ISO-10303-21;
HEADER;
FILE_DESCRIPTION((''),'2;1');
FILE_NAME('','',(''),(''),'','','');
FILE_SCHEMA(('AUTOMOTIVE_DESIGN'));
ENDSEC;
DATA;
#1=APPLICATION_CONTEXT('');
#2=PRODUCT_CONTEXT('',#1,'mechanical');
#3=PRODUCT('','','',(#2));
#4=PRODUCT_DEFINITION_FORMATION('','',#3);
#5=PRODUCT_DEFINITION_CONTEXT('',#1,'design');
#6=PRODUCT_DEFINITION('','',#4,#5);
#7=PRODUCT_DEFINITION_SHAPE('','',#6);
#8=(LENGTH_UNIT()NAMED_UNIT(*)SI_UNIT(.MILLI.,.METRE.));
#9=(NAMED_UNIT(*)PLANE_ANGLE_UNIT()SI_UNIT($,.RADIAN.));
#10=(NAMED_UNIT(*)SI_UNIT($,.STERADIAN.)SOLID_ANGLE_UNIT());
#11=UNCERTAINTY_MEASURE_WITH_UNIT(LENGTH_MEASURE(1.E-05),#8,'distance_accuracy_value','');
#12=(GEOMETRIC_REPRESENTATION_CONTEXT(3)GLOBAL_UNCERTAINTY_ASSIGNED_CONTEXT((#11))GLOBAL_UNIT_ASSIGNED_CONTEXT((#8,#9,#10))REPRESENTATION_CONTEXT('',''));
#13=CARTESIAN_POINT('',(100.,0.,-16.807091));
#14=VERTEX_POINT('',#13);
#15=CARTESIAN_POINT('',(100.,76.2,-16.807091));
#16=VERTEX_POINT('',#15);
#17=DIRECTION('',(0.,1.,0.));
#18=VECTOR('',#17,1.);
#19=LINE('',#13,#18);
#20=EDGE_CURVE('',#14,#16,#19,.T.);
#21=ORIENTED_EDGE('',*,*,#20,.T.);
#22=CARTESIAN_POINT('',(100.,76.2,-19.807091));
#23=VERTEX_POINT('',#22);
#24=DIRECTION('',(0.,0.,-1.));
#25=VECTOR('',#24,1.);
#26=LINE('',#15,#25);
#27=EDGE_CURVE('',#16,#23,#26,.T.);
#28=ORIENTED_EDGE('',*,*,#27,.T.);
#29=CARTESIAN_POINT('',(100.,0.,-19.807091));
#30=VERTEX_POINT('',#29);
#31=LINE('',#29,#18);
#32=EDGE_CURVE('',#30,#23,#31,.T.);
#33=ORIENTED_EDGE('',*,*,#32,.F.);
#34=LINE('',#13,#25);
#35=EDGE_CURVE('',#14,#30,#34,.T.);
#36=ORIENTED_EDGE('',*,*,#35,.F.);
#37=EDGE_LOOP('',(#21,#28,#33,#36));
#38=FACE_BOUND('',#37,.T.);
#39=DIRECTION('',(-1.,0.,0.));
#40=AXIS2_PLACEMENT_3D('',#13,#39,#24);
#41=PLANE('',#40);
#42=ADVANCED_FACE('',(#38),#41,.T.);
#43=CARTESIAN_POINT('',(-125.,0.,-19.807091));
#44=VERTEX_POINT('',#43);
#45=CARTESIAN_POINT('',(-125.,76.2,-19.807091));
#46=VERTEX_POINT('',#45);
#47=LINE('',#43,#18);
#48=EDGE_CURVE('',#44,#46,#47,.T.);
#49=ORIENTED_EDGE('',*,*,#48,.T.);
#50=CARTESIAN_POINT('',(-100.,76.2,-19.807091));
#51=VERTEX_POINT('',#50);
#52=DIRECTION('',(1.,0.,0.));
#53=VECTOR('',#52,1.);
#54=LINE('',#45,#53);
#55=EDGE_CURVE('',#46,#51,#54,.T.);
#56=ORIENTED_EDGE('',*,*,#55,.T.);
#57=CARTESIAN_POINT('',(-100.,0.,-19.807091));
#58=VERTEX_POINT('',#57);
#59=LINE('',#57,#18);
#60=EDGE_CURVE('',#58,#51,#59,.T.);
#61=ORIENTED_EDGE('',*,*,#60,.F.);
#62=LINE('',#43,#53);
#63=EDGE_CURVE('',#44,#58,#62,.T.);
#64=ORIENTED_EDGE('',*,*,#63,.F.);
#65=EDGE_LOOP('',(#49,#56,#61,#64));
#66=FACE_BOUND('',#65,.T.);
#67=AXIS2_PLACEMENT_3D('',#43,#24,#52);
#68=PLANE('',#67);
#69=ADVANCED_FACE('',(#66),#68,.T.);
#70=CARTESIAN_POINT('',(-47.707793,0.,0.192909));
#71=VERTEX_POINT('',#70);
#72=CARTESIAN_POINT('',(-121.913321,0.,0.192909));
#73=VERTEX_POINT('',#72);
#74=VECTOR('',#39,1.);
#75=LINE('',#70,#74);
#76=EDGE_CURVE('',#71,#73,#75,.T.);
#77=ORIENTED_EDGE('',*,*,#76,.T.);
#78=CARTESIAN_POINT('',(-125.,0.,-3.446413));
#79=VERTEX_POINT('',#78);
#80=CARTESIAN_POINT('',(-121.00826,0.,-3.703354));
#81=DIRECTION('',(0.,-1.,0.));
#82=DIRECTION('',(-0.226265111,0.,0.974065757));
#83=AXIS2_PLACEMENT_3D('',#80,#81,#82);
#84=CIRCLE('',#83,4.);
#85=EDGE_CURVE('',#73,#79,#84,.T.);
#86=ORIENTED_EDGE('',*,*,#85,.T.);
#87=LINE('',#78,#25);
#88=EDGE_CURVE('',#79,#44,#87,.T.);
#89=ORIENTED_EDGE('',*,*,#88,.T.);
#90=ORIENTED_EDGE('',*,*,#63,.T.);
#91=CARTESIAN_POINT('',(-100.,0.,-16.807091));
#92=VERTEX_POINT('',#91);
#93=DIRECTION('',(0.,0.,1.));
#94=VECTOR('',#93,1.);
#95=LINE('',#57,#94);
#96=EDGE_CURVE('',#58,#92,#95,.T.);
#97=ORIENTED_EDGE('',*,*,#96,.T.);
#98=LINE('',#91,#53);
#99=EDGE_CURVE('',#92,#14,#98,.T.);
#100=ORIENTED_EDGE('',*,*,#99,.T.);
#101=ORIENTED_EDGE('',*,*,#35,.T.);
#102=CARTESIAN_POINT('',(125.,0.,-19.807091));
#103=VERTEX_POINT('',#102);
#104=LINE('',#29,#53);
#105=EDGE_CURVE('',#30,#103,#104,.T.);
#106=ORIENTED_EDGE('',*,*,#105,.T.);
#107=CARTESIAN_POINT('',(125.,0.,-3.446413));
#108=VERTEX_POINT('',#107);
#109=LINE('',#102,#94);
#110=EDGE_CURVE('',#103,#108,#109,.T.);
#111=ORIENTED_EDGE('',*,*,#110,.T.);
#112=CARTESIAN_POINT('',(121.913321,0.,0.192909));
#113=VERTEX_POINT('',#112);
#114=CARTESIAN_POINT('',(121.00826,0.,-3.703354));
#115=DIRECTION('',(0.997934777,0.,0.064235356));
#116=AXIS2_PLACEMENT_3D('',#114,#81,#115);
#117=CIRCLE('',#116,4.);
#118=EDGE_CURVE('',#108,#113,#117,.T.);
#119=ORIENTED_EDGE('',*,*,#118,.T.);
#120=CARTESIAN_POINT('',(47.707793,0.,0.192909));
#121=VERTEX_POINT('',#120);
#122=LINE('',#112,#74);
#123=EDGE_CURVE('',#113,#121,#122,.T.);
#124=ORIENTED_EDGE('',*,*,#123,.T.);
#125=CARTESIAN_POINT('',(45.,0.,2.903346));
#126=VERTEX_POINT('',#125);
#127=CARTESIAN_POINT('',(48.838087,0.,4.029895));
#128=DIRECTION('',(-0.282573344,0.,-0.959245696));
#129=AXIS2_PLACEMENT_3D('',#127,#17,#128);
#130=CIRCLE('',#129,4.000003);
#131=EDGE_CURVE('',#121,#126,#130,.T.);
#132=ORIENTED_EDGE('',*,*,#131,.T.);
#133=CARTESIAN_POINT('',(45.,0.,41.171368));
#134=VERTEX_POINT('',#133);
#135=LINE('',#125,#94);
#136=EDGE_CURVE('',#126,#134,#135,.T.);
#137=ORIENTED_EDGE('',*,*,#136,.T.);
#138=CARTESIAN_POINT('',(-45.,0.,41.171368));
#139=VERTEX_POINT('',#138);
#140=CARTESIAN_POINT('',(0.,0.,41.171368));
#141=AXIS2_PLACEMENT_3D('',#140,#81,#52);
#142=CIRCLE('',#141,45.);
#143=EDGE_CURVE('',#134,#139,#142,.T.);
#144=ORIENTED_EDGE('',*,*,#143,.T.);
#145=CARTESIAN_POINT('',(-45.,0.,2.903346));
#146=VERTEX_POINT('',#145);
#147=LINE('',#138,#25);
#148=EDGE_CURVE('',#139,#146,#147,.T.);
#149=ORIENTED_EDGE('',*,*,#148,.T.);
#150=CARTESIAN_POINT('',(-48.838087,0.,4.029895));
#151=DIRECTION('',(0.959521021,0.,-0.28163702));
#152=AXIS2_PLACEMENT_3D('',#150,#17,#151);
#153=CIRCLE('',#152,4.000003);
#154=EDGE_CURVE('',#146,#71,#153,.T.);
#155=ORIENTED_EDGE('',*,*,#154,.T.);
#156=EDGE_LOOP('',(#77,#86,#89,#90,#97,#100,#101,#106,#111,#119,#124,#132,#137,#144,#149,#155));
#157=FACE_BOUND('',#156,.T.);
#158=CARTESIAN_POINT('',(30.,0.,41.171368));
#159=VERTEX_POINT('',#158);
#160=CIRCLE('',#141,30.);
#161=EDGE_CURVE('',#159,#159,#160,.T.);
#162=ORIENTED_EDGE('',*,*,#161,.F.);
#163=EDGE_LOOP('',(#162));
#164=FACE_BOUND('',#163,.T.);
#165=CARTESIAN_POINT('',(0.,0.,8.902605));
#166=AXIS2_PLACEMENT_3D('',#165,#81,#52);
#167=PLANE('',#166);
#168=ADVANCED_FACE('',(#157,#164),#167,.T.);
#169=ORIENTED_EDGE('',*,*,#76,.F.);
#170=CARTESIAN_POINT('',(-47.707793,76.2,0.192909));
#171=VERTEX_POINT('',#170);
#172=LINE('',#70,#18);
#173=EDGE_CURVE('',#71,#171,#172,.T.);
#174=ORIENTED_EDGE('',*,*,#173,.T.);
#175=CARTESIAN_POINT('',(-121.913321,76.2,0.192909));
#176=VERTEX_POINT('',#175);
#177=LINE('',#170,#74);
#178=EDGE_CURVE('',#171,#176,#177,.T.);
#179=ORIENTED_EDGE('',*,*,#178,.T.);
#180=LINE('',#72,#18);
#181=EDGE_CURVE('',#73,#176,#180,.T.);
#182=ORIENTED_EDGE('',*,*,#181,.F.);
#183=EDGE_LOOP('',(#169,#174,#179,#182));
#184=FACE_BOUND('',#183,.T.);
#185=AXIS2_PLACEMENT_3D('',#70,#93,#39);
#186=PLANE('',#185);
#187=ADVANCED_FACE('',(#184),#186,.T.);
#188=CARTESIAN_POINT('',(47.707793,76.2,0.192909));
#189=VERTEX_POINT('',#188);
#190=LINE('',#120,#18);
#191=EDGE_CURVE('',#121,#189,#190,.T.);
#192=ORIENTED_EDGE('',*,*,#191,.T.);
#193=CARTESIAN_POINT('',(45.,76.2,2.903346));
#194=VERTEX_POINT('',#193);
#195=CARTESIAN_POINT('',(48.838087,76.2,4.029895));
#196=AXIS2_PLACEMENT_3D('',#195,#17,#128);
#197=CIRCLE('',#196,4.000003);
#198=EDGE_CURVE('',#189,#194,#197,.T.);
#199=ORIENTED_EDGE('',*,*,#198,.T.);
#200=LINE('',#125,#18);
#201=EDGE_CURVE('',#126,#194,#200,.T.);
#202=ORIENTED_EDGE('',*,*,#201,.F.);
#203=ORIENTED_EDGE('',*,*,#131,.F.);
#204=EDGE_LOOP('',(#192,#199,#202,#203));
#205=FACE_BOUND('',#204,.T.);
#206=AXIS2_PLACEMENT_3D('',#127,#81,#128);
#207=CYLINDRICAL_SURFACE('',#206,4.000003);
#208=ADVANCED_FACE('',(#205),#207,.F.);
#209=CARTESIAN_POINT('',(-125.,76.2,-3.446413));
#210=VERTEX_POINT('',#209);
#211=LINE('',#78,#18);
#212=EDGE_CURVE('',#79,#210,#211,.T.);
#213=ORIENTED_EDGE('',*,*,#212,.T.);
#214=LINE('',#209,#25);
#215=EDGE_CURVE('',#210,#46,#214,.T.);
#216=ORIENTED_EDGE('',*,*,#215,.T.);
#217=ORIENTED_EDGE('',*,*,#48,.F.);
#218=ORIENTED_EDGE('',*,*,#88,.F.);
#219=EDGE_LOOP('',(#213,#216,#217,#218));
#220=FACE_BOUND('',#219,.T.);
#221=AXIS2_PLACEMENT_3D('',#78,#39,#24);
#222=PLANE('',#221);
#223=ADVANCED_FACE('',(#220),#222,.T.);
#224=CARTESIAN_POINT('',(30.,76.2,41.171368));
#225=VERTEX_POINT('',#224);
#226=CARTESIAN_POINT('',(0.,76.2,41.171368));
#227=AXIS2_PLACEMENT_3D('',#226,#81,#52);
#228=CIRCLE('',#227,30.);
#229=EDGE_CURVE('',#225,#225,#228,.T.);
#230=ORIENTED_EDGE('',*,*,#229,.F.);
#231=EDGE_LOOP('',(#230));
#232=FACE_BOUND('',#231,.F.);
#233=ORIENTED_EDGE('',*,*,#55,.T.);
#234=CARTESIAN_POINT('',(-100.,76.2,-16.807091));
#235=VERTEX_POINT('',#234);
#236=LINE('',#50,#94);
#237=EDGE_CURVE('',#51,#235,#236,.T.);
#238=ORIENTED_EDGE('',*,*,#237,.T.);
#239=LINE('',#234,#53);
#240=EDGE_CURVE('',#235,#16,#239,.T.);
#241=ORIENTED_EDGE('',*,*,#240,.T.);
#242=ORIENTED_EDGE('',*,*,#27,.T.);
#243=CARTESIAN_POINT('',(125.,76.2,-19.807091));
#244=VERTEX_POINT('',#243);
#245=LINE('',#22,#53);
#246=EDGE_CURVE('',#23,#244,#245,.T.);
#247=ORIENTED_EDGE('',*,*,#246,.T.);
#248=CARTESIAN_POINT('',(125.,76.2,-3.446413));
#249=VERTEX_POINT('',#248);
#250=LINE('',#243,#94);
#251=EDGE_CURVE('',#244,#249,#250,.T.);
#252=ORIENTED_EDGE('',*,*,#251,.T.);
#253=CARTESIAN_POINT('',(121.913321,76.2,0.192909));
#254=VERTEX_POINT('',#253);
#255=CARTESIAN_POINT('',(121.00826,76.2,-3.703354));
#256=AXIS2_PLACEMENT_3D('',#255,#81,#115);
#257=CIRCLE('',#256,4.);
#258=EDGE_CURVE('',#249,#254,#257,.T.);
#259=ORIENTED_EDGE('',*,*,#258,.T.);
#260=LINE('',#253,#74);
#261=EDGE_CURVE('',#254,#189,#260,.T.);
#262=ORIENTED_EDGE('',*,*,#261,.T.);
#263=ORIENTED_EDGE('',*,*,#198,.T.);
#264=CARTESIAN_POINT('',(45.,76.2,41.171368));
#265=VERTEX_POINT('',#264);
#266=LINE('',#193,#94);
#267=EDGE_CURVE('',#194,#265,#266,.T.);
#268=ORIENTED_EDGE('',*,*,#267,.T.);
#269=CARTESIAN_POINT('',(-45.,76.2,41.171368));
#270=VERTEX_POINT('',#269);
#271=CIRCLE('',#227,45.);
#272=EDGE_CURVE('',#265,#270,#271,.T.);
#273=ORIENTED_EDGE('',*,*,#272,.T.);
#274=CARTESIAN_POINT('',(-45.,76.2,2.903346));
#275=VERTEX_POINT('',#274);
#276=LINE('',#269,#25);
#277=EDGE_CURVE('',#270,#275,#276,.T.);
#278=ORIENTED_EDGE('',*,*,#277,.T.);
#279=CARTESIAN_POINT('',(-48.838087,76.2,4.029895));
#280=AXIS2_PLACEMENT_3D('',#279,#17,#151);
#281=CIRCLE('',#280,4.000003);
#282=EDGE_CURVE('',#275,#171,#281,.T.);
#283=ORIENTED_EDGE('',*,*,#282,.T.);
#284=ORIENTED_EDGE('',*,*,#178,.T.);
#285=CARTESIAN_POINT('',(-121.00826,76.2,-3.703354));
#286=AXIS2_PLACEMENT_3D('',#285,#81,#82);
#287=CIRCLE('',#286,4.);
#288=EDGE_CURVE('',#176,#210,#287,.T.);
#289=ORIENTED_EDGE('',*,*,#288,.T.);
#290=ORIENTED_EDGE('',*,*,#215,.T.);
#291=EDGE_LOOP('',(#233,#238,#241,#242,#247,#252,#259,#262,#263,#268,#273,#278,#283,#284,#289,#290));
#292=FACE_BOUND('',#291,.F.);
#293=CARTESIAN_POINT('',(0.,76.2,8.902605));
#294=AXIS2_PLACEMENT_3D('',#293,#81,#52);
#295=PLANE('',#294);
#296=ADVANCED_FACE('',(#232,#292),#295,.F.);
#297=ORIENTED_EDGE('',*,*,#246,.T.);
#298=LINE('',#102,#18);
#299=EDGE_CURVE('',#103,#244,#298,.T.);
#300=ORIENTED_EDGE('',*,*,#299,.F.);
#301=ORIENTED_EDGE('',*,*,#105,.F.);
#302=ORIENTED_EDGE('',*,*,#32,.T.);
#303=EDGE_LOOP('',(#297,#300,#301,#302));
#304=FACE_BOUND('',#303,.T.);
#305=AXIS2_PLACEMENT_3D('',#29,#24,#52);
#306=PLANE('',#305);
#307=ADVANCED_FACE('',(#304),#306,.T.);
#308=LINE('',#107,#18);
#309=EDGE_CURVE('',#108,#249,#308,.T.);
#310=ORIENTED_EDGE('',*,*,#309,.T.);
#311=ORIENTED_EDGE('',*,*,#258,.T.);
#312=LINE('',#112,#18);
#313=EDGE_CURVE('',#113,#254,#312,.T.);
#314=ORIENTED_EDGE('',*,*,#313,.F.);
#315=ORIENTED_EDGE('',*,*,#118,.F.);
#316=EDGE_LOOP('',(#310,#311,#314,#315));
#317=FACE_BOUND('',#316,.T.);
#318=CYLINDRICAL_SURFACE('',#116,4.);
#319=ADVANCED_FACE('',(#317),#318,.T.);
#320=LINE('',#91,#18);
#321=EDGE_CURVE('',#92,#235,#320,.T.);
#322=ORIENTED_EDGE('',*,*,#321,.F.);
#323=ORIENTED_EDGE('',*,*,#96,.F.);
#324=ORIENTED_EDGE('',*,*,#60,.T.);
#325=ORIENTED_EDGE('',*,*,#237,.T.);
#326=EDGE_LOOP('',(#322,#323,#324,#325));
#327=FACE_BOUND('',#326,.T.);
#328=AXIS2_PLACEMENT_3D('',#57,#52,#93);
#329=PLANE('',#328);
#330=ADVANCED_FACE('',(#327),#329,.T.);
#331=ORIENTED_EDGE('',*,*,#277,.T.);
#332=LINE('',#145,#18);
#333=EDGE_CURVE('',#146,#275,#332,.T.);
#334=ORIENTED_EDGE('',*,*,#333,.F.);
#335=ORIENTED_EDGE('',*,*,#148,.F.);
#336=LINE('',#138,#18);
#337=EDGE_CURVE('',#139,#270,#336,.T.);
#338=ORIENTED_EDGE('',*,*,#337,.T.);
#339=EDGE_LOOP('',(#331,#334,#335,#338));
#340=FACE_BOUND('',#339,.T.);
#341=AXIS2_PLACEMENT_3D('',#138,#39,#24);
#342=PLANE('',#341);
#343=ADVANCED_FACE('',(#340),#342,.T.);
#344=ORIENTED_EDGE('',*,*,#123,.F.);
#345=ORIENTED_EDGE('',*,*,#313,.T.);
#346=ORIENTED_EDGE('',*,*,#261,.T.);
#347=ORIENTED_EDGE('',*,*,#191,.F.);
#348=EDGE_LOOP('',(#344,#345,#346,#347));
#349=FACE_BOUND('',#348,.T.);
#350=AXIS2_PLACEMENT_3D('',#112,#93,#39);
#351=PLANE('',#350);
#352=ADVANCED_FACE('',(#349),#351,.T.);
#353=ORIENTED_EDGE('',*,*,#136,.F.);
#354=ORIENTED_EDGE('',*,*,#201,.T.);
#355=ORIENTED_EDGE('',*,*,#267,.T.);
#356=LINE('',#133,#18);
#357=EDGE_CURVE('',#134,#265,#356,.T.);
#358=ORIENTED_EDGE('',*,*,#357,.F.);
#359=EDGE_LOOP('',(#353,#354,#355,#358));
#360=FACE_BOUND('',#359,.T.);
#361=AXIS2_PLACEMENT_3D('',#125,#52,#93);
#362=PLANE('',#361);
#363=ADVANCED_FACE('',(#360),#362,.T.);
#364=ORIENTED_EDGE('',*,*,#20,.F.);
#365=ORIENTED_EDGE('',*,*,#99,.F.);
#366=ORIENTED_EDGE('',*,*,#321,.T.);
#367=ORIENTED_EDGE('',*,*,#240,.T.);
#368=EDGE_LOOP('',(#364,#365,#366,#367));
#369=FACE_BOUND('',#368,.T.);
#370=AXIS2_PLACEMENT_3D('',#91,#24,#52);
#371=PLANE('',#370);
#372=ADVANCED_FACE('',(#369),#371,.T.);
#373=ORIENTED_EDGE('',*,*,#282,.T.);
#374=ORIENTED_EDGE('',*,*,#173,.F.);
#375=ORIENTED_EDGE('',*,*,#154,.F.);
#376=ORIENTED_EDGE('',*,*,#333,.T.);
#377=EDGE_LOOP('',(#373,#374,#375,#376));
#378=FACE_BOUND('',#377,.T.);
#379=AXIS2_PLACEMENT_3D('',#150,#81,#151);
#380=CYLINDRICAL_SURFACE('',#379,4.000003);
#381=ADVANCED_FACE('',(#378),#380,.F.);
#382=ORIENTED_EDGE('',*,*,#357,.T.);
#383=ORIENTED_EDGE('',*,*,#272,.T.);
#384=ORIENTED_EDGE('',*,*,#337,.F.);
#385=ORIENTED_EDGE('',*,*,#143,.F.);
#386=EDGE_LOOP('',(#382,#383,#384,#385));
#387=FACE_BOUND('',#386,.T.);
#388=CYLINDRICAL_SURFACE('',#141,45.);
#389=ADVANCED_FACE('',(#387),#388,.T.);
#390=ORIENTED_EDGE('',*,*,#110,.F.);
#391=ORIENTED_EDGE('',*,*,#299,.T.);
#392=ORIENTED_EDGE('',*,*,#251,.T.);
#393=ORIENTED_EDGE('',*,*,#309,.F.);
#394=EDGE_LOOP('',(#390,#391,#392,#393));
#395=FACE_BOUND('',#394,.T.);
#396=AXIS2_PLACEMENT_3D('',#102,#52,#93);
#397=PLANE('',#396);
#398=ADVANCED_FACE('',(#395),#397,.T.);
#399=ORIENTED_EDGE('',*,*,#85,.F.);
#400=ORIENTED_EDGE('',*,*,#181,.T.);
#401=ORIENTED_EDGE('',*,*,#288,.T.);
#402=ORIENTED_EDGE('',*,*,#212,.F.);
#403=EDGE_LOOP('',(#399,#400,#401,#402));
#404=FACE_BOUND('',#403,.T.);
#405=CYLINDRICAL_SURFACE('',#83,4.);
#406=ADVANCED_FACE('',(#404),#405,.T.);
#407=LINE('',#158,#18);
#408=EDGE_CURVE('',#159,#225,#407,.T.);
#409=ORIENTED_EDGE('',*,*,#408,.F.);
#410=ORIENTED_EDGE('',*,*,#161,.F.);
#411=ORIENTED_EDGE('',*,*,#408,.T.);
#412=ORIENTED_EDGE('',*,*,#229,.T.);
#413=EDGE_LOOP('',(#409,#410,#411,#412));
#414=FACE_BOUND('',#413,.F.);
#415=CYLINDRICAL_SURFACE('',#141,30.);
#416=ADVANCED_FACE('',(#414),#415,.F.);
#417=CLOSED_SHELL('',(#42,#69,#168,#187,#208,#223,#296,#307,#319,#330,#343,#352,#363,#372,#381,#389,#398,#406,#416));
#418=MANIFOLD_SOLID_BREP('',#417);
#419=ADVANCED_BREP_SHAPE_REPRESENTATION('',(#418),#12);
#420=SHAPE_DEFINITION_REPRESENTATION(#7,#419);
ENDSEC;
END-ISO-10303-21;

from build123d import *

# Parameters (mm, degrees)
F0_R     = 30
F1_DEPTH = 76.2


with BuildPart() as f1:
    # F0 (on Front) → F1 (new body)
    with BuildSketch(Plane.XZ):
        with BuildLine():
            Line((45, 2.903346), (45, 41.171368))
            ThreePointArc((45, 41.171368), (0, 86.171368), (-45, 41.171368))
            Line((-45, 41.171368), (-45, 2.903346))
            ThreePointArc((-45, 2.903346), (-46.008278, 1.202846), (-47.707793, 0.192909))
            Line((-47.707793, 0.192909), (-121.913321, 0.192909))
            ThreePointArc((-121.913321, 0.192909), (-124.058806, -1.116044), (-125, -3.446413))
            Line((-125, -3.446413), (-125, -19.807091))
            Line((-125, -19.807091), (-100, -19.807091))
            Line((-100, -19.807091), (-100, -16.807091))
            Line((-100, -16.807091), (0, -16.807091))
            Line((0, -16.807091), (100, -16.807091))
            Line((100, -16.807091), (100, -19.807091))
            Line((100, -19.807091), (125, -19.807091))
            Line((125, -19.807091), (125, -3.446413))
            ThreePointArc((125, -3.446413), (124.058806, -1.116044), (121.913321, 0.192909))
            Line((121.913321, 0.192909), (47.707793, 0.192909))
            ThreePointArc((47.707793, 0.192909), (46.008278, 1.202846), (45, 2.903346))
        make_face()
        with Locations((0, 41.171368)):
            Circle(F0_R, mode=Mode.SUBTRACT)
    extrude(amount=-F1_DEPTH)


solid = f1.part
